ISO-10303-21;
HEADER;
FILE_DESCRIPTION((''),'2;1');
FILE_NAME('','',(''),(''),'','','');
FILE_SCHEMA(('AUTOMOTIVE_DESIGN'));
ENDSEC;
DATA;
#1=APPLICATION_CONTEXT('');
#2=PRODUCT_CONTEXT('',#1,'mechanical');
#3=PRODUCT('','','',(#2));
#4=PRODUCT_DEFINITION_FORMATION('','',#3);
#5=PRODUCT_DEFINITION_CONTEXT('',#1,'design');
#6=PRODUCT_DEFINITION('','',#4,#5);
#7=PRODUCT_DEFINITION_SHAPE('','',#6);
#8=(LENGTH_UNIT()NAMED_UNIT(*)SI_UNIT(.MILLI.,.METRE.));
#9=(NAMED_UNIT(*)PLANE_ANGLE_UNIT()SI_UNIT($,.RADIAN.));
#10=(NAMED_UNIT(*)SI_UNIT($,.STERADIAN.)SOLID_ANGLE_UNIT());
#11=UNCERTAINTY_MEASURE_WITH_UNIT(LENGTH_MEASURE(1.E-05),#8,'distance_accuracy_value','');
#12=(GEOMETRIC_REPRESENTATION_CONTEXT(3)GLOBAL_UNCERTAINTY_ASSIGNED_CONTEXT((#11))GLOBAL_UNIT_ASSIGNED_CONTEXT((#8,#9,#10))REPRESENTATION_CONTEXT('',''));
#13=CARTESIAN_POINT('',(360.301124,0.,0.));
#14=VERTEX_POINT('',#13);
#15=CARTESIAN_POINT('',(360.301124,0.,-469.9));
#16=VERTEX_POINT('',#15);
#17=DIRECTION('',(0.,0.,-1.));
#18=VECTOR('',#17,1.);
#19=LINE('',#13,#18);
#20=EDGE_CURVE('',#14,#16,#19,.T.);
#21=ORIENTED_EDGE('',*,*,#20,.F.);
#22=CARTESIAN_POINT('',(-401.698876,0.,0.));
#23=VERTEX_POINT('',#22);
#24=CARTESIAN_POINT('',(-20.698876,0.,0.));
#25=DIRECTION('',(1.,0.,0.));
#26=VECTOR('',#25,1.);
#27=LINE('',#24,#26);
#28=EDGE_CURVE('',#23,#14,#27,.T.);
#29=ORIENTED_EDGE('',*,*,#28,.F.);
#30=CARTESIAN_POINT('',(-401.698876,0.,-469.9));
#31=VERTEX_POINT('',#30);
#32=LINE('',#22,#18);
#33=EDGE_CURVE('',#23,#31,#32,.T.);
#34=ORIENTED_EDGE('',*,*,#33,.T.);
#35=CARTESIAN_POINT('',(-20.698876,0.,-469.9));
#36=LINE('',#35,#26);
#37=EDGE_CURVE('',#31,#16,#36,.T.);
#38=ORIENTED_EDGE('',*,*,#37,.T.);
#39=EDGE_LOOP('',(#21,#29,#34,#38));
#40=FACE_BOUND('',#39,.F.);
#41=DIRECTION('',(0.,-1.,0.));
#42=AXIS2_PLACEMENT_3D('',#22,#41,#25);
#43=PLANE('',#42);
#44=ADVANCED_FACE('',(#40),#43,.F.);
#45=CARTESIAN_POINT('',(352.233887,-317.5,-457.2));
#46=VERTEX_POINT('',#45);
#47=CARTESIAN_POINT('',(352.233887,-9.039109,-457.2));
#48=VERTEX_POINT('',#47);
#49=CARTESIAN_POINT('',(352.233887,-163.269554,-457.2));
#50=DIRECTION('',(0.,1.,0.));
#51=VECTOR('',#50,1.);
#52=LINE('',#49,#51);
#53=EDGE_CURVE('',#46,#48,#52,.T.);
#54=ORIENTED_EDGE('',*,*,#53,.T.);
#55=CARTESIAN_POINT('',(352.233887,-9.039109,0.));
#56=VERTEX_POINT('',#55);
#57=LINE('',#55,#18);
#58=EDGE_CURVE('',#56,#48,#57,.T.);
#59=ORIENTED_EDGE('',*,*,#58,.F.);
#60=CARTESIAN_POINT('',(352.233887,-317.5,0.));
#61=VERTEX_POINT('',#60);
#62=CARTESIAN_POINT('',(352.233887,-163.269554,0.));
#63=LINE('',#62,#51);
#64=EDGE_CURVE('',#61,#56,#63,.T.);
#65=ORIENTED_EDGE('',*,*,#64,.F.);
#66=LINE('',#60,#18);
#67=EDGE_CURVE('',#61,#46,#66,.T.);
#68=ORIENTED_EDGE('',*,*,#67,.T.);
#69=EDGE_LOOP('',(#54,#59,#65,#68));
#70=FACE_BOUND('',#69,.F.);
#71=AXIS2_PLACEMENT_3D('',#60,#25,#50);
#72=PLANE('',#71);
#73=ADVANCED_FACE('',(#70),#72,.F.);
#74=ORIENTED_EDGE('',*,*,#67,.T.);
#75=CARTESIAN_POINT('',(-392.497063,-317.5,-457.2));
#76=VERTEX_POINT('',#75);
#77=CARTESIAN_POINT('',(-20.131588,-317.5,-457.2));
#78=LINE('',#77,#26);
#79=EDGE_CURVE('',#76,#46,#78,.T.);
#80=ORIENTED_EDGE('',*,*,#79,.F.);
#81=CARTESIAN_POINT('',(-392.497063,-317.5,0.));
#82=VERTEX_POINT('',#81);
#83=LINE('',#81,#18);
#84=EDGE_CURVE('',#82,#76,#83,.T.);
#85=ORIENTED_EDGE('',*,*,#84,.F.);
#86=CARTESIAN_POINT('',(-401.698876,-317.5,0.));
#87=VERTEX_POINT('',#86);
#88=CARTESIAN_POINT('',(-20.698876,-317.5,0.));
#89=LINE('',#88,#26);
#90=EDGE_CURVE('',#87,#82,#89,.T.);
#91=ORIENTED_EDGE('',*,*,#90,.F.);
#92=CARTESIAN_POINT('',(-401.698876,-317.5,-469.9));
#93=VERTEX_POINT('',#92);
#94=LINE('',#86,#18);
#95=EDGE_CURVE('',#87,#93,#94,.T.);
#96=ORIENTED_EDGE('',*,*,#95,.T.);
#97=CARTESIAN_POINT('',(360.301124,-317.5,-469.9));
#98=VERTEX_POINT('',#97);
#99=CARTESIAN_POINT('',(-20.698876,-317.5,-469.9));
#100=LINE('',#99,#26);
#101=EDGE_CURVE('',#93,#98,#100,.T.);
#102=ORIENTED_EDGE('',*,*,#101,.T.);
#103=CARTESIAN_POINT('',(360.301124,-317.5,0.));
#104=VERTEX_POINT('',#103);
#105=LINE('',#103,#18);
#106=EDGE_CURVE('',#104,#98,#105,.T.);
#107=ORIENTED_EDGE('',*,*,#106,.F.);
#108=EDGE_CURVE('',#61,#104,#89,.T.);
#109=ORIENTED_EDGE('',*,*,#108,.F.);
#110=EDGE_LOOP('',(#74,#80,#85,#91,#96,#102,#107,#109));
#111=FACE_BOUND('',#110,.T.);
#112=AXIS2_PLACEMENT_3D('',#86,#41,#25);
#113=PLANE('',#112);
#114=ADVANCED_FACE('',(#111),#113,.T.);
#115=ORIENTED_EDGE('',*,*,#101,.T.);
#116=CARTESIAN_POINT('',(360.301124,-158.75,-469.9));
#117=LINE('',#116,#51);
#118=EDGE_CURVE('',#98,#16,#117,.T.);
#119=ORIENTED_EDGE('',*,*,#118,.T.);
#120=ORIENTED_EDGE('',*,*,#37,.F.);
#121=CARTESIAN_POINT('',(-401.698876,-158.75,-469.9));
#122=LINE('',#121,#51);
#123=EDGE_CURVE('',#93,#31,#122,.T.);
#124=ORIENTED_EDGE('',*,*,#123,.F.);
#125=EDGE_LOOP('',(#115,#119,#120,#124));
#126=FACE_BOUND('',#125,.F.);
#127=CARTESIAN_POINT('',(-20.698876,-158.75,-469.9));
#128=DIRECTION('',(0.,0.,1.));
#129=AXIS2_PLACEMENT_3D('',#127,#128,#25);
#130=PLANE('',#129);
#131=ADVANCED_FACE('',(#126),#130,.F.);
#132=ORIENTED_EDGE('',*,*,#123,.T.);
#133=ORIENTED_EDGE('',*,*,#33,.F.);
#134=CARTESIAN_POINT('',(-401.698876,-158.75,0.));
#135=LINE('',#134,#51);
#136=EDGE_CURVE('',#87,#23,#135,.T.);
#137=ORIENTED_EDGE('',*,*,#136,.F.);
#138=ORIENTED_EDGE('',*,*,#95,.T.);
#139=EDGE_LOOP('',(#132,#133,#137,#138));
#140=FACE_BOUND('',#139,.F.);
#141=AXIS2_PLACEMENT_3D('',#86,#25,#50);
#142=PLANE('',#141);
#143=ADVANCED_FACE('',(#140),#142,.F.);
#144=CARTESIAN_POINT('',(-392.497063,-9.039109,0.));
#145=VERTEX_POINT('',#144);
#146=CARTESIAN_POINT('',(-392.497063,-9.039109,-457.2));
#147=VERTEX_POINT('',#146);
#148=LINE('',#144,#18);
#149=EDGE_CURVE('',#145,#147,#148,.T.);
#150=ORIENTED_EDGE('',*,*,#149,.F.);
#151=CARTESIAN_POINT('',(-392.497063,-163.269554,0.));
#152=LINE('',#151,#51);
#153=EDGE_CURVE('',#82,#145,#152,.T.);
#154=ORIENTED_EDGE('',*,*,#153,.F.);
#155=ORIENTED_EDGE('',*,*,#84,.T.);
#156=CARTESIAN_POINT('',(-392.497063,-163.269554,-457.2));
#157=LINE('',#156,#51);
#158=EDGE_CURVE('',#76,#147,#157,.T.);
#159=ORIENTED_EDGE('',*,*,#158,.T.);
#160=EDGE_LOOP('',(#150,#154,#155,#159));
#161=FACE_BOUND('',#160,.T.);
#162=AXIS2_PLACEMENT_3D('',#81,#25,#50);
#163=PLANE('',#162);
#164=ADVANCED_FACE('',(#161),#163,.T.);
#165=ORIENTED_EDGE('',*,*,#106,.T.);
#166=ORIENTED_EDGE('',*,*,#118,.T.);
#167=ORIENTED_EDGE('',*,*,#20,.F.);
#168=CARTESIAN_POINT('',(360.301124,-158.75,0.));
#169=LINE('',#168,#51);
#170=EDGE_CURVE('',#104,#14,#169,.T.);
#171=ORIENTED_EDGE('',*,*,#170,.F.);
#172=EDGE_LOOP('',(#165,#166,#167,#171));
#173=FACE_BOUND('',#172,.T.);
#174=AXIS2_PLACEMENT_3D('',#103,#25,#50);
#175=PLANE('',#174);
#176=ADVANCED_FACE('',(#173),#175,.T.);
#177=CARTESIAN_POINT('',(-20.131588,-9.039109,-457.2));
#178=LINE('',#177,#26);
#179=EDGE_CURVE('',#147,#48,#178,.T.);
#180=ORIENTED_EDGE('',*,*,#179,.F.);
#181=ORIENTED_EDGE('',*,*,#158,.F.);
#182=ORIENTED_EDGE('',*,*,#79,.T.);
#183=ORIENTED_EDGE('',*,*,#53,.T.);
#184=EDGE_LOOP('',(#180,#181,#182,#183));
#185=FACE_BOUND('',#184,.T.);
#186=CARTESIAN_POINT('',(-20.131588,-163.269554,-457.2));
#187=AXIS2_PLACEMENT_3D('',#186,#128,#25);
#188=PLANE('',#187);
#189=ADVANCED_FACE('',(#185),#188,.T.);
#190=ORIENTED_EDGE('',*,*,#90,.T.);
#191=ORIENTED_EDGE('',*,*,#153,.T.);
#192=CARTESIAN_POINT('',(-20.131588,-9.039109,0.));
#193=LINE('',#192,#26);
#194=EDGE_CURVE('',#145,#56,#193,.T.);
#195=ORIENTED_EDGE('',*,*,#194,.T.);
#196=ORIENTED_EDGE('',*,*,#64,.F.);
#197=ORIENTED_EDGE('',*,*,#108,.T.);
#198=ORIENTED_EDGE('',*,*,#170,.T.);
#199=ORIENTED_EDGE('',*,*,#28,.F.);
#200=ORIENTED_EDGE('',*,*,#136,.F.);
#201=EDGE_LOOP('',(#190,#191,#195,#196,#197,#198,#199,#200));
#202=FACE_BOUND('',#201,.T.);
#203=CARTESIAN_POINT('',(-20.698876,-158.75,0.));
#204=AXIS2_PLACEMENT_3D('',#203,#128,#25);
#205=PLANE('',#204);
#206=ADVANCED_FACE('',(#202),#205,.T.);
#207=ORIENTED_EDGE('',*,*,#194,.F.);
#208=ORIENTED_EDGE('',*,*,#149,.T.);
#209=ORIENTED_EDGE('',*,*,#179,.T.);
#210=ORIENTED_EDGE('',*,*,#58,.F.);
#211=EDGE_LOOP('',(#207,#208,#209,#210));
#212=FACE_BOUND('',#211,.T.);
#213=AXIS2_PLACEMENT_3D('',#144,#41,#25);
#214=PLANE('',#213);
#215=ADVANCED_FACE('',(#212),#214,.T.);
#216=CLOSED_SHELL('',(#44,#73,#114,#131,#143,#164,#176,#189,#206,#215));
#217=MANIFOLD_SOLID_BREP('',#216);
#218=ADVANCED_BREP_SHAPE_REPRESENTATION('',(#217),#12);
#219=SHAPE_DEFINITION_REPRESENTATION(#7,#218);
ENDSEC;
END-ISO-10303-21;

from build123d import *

# Parameters (mm, degrees)
F0_W     = 762
F0_H     = 317.5
F1_DEPTH = 469.9
F2_W     = 744.7309494019
F2_H     = 308.4608913586
F3_DEPTH = 457.2


with BuildPart() as f1:
    # F0 (on Top) → F1 (new body)
    with BuildSketch(Plane.XY):
        with Locations((-20.6988760249, -158.75)):
            Rectangle(F0_W, F0_H)
    extrude(amount=-F1_DEPTH)

    # F2 (on face) → F3 (cut)
    with BuildSketch(Plane.XY):
        with Locations((-20.1315879822, -163.2695543207)):
            Rectangle(F2_W, F2_H)
    extrude(amount=-F3_DEPTH, mode=Mode.SUBTRACT)


solid = f1.part
